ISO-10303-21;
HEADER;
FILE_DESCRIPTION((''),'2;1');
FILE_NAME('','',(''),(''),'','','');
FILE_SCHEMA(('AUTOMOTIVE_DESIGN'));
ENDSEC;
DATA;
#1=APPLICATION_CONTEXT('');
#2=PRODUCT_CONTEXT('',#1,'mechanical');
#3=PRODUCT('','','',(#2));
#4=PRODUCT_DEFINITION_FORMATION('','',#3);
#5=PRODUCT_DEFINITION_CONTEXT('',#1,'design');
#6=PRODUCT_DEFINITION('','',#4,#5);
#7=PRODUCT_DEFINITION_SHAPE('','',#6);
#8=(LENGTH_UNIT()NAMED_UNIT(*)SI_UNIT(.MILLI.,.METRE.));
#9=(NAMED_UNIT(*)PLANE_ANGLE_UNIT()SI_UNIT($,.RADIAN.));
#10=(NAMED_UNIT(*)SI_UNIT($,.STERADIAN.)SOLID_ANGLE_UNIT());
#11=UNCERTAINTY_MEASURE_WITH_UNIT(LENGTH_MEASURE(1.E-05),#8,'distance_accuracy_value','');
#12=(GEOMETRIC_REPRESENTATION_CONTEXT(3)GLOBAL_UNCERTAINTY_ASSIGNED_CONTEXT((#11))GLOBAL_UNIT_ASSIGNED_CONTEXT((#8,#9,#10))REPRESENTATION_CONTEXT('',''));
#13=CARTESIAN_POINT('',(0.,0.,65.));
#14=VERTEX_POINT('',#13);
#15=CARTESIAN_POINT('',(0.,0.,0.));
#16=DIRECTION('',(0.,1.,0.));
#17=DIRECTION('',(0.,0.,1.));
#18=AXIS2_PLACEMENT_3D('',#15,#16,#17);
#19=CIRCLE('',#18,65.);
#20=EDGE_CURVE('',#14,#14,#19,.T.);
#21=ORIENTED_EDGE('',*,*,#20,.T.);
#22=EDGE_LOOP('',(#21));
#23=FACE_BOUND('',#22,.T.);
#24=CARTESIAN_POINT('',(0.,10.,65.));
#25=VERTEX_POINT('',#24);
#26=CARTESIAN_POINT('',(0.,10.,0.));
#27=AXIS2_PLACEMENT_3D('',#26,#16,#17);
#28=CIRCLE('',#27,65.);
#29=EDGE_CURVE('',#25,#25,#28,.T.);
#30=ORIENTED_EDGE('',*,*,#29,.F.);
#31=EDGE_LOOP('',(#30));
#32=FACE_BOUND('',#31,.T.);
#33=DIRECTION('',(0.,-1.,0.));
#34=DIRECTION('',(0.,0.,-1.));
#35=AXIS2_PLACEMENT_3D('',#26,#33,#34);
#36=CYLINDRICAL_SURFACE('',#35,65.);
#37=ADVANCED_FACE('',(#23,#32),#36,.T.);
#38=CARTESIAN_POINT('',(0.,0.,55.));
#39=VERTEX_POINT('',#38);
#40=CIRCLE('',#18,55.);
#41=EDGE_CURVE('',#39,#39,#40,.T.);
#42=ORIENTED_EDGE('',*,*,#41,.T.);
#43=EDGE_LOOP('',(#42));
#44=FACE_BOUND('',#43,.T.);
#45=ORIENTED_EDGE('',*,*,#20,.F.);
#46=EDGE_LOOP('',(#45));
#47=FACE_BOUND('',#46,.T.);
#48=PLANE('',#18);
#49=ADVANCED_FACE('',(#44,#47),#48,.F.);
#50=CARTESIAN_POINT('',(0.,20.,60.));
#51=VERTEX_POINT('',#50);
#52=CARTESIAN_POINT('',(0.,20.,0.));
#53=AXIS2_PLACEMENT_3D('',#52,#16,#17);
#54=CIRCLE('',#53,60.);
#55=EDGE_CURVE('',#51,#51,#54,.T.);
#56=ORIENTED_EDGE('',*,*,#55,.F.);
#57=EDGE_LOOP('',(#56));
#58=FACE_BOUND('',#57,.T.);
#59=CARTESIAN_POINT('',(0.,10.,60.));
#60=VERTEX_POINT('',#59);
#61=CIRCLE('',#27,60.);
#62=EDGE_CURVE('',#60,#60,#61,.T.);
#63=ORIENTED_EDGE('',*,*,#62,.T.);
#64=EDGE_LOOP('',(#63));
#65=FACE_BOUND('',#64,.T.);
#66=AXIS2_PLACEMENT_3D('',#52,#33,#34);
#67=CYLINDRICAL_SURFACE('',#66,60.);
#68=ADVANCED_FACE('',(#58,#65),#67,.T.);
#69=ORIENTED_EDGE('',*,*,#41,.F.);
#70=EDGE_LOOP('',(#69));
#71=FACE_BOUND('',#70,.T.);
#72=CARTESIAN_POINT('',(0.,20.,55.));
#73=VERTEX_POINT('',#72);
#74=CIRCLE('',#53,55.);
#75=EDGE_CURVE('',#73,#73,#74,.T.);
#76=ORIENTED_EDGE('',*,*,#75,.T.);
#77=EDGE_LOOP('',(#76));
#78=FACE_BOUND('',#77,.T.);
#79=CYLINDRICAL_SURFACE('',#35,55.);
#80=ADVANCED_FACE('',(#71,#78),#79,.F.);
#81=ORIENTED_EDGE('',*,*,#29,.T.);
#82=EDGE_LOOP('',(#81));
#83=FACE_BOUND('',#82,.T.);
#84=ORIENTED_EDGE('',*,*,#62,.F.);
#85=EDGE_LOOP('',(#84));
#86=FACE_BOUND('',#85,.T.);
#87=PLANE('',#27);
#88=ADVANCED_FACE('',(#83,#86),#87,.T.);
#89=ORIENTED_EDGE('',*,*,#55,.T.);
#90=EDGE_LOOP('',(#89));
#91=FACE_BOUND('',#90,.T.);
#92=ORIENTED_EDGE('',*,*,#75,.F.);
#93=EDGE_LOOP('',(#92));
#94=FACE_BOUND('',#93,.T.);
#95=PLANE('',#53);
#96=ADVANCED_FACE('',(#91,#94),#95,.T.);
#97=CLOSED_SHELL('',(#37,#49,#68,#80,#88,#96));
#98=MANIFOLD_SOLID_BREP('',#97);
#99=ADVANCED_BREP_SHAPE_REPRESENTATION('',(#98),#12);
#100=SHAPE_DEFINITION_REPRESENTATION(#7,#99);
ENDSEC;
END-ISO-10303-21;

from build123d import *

# Parameters (mm, degrees)
CROQUIS2_R              = 65
CROQUIS2_R_2            = 55
SALIENTE_EXTRUIR1_DEPTH = 10
CROQUIS3_R              = 60
CROQUIS3_R_2            = 55
SALIENTE_EXTRUIR2_DEPTH = 10


with BuildPart() as part:
    # Croquis2 → Saliente-Extruir1 (new body)
    with BuildSketch(Plane(origin=(0, 0, 0), x_dir=(1, 0, 0), z_dir=(0, 1, 0))):
        Circle(CROQUIS2_R)
        Circle(CROQUIS2_R_2, mode=Mode.SUBTRACT)
    extrude(amount=SALIENTE_EXTRUIR1_DEPTH)

    # Croquis3 → Saliente-Extruir2 (add)
    with BuildSketch(Plane(origin=(0, 10, 0), x_dir=(1, 0, 0), z_dir=(0, 1, 0))):
        Circle(CROQUIS3_R)
        Circle(CROQUIS3_R_2, mode=Mode.SUBTRACT)
    extrude(amount=SALIENTE_EXTRUIR2_DEPTH)


solid = part.part
